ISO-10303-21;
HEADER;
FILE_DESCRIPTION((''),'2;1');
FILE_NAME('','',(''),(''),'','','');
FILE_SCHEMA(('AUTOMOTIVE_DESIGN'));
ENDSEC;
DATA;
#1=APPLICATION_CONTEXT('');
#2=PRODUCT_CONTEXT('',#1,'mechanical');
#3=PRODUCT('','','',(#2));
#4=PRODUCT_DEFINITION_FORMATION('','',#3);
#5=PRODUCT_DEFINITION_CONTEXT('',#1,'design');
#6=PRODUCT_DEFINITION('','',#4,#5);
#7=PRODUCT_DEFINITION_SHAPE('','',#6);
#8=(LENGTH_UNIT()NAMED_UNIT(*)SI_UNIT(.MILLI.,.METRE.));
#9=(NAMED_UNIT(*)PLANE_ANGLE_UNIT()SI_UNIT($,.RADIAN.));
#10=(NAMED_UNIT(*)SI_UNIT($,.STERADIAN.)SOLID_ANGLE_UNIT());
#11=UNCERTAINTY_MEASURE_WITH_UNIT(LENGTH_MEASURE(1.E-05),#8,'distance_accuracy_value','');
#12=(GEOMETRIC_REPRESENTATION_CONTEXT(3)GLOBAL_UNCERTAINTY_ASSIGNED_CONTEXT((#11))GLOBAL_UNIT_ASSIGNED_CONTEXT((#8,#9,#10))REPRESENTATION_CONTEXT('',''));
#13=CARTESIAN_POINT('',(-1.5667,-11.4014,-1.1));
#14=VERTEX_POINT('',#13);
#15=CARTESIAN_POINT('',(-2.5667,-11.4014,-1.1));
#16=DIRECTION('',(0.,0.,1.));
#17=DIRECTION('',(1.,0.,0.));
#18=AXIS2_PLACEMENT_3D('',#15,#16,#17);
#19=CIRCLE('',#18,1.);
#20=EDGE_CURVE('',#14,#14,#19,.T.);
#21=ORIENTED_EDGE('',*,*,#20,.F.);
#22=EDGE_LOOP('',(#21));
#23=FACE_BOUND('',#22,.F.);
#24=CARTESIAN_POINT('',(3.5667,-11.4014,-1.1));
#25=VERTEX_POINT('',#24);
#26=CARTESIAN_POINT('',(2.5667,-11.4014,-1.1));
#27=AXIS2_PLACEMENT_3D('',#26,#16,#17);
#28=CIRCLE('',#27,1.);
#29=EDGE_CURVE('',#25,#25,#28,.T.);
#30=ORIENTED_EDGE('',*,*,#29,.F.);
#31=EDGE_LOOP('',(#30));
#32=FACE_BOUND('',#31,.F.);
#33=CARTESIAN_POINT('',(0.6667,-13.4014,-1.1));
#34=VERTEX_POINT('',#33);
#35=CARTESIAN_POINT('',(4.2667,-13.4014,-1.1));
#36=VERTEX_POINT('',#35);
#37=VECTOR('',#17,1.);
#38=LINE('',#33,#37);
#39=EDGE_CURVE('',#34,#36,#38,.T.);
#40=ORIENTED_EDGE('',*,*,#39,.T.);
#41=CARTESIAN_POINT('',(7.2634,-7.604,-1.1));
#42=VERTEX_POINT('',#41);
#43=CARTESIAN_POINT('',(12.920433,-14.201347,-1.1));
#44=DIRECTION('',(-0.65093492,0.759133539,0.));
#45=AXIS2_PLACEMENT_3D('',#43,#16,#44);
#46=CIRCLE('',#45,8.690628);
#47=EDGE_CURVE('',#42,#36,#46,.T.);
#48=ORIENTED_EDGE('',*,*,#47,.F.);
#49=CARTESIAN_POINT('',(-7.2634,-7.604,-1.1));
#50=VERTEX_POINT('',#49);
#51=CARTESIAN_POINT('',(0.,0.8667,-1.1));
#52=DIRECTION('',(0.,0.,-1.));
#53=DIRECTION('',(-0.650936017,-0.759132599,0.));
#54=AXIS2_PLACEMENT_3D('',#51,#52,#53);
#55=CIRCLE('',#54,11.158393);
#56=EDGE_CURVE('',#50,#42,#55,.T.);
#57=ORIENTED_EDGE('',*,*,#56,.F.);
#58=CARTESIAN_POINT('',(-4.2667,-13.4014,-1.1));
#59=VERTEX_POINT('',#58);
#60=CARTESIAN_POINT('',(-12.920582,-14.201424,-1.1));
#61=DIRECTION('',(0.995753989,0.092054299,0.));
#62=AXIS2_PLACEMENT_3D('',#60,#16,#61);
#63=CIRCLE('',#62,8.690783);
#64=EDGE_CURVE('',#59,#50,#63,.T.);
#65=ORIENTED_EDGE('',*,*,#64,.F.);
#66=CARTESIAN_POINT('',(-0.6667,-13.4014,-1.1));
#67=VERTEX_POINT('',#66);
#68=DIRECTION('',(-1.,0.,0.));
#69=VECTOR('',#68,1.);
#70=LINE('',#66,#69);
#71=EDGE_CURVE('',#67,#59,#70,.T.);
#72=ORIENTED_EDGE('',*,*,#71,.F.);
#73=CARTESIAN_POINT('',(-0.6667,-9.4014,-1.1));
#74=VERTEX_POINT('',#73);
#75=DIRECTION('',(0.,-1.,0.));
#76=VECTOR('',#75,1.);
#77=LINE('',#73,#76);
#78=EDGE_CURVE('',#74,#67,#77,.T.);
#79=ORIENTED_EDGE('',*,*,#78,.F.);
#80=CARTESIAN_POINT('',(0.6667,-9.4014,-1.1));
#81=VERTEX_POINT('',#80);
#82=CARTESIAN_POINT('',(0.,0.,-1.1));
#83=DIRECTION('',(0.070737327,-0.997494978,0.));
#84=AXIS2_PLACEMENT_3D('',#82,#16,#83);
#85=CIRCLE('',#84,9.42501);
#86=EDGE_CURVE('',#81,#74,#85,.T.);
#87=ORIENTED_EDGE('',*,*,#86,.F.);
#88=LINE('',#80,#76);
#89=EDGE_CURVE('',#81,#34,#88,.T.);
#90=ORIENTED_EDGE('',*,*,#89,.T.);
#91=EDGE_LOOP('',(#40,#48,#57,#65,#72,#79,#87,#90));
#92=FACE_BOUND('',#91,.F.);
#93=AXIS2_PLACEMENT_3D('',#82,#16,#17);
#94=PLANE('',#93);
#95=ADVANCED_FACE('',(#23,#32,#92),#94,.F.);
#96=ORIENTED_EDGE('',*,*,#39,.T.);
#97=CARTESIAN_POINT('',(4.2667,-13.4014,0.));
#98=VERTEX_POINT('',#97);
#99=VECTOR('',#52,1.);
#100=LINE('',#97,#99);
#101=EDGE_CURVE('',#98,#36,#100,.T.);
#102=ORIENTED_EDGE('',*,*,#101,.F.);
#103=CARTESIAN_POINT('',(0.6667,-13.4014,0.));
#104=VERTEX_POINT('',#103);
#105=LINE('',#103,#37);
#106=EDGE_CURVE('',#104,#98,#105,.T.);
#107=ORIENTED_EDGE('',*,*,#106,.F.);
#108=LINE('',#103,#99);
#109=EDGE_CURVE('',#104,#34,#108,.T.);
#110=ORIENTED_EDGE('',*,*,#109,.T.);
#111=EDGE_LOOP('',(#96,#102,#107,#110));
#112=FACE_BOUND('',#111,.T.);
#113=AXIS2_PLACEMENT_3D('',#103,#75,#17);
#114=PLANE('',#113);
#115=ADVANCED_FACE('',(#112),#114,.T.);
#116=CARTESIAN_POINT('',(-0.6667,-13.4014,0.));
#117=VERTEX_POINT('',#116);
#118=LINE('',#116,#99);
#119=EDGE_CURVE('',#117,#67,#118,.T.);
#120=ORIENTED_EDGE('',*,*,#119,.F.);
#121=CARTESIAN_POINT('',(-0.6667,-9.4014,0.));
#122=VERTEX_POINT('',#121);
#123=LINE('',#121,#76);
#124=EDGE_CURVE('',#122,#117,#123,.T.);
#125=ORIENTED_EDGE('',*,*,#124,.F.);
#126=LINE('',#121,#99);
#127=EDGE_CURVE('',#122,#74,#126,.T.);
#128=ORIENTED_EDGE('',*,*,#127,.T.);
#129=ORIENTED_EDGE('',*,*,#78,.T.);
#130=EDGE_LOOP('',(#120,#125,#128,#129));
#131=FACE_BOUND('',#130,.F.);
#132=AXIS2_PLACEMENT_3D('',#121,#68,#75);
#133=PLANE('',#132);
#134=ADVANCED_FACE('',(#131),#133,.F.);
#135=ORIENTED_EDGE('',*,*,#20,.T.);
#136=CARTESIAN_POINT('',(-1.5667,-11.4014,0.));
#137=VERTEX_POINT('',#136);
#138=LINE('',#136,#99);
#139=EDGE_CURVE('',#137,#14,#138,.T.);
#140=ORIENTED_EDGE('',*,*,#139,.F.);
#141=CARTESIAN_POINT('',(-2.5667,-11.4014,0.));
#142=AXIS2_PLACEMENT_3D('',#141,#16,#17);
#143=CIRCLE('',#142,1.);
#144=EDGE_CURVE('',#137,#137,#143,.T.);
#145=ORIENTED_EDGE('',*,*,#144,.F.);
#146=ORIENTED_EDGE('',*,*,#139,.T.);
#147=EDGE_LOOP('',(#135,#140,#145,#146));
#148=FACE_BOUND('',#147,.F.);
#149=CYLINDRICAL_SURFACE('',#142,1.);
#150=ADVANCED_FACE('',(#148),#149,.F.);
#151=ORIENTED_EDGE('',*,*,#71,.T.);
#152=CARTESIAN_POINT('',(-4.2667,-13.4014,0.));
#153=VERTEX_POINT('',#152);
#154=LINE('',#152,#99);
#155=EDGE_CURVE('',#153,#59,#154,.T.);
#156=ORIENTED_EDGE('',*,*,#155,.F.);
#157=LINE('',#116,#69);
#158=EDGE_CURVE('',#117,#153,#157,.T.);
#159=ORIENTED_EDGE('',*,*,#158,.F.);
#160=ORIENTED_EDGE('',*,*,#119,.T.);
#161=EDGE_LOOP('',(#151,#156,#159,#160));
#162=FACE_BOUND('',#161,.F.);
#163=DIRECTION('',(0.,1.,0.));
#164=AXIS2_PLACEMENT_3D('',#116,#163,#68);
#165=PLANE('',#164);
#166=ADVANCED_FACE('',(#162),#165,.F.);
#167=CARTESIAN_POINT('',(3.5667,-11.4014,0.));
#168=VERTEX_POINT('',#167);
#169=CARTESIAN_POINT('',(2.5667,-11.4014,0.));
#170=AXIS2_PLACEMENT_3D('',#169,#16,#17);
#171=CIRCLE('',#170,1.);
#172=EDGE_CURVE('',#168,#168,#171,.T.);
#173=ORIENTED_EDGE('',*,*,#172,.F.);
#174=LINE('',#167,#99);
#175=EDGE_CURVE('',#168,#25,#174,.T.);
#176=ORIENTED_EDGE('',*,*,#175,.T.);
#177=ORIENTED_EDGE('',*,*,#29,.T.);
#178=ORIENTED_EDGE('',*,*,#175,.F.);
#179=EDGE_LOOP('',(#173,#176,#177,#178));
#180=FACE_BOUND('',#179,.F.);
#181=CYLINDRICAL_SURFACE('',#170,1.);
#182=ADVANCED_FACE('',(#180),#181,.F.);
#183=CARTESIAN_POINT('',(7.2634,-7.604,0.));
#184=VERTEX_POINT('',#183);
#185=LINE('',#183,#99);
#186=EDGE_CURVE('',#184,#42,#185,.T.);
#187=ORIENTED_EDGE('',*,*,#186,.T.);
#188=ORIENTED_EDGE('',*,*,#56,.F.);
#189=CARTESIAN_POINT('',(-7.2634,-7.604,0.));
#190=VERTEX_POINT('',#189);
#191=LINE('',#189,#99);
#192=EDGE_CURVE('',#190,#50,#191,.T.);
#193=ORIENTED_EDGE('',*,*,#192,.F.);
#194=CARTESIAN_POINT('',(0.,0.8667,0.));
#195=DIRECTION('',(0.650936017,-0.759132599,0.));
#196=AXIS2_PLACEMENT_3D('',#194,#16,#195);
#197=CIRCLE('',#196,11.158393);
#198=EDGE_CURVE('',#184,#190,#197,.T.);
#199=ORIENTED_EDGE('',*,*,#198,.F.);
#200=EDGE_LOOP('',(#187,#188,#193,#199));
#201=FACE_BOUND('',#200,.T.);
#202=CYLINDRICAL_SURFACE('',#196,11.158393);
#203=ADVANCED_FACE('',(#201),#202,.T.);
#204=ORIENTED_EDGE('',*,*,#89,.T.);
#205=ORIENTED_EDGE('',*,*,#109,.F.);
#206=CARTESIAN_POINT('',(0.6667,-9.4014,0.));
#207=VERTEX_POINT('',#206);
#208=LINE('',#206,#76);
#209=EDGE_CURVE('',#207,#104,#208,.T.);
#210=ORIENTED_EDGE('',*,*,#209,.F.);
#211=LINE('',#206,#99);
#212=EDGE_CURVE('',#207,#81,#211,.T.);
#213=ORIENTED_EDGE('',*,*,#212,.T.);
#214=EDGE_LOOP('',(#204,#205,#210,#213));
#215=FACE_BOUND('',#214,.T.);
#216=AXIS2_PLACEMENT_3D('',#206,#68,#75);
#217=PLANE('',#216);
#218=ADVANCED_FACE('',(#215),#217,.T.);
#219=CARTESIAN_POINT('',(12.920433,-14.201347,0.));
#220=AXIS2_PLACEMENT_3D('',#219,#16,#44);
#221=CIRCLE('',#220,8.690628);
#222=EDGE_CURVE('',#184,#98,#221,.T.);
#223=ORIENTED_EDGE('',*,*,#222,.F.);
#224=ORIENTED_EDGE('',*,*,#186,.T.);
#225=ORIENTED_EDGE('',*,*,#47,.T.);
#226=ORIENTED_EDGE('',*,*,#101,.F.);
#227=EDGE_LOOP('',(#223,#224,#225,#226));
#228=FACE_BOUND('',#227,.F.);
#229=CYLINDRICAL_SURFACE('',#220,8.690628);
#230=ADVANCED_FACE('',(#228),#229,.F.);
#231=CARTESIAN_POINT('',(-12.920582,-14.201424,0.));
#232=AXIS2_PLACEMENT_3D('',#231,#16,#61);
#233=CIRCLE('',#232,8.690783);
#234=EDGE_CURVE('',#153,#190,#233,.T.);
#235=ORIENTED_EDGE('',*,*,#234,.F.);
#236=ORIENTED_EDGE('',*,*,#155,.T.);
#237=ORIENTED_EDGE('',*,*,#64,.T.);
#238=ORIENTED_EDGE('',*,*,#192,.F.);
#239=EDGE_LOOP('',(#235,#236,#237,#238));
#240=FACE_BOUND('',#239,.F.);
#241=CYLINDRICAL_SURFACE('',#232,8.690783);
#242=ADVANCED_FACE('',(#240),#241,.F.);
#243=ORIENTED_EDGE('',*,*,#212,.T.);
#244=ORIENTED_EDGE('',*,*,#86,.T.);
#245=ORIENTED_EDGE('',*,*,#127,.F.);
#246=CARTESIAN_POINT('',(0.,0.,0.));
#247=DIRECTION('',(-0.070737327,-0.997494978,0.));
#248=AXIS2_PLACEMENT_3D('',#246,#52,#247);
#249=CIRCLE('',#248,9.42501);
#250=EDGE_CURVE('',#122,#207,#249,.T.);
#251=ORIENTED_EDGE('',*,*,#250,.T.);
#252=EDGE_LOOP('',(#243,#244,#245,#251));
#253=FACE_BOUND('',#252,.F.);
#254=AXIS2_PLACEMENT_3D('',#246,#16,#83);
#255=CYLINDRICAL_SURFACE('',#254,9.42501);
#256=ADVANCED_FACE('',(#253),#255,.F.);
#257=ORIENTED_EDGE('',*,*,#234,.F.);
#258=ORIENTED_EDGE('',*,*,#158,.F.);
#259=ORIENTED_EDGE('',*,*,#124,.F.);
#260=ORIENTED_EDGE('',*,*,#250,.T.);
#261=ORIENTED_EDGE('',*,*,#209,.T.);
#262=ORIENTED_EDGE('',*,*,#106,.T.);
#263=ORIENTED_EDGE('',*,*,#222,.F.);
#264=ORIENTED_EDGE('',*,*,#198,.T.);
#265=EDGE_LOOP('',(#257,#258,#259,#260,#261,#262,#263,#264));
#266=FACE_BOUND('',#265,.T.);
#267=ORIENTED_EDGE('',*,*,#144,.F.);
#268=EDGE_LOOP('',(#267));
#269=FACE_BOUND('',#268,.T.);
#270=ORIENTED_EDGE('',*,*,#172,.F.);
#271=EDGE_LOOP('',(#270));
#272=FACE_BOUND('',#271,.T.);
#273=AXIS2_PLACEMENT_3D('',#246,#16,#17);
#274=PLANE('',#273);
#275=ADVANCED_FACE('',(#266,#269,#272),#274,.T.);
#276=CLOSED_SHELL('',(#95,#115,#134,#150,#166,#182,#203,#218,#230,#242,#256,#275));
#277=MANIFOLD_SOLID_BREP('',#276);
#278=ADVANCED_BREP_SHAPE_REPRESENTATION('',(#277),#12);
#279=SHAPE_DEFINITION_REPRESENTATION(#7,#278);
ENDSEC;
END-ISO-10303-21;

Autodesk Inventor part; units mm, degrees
ref_plane "YZ Plane" through (0, 0, 0) normal (1, 0, 0) x (0, 1, 0)
ref_plane "XZ Plane" through (0, 0, 0) normal (0, 1, 0) x (-1, 0, 0)
ref_plane "XY Plane" through (0, 0, 0) normal (0, 0, 1) x (1, 0, 0)
sketch "草图2" plane through (0, 0, 0) normal (0, 0, 1) x (1, 0, 0)
  line L0 (-0.6667, -13.4014) -> (-4.2667, -13.4014)
  line L1 (-0.6667, -9.4014) -> (-0.6667, -13.4014)
  arc A0 (0.6667, -9.4014) -> (-0.6667, -9.4014) centre (0, 0) ccw
  arc A1 (7.2634, -7.604) -> (-7.2634, -7.604) centre (0, 0.8667) ccw
  line L2 (0, -19.4467) -> (0, 17.2703) projected
  line L3 (0.6667, -13.4014) -> (4.2667, -13.4014)
  line L4 (0.6667, -9.4014) -> (0.6667, -13.4014)
  arc A2 (-4.2667, -13.4014) -> (-7.2634, -7.604) centre (-12.9205, -14.2014) ccw
  arc A3 (7.2634, -7.604) -> (4.2667, -13.4014) centre (12.9205, -14.2014) ccw
  dimension "d15" = 0.8667
  dimension "d28" = 18.85
  dimension "d32" = 2.6
  dimension "d34" = 4
  dimension "d35" = 1.3333
  dimension "d48" = 3.6
  dimension "d49" = 0.8
extrude "拉伸1" add sketch "草图2" against normal blind 1.1
sketch "草图3" plane through (0, 0, 0) normal (0, 0, 1) x (1, 0, 0)
  circle A0 centre (-2.5667, -11.4014) radius 1
  line L0 (-0.6667, -13.4014) -> (-4.2667, -13.4014) projected
  line L1 (0.6667, -13.4014) -> (0.6667, -9.4014) projected
  line L2 (4.2667, -13.4014) -> (0.6667, -13.4014) projected
  line L3 (0, -14.2014) -> (0, -8.6014) projected
  circle A1 centre (2.5667, -11.4014) radius 1
  dimension "d36" = 2
  dimension "d37" = 2
  dimension "d47" = 5.1333
extrude "拉伸2" cut sketch "草图3" against normal through all
equation "\"d15\" = 0.333333 * b"
equation "\"d28\" = g1"
equation "\"d32\" = b"
equation "\"d34\" = ParA"
equation "\"d35\" = 0.333333 * ParA"
equation "\"d48\" = 1.8 * Diam5"
equation "\"d49\" = 0.2 * ParA"
equation "\"d16\" = tt"
equation "\"d36\" = Diam5"
equation "\"d37\" = 0.5 * ParA"
equation "\"d47\" = 0.333333 * ParA + 1.9 * Diam5"
equation "\"g1\" = 18.85"
equation "\"ParA\" = 4"
equation "\"tt\" = 1.1"
equation "\"Diam5\" = 2"
equation "\"TEMPLATE\" = 1.2345"
properties part number "ANSI B 27.7M - 3AMI-20" material "钢，软"
